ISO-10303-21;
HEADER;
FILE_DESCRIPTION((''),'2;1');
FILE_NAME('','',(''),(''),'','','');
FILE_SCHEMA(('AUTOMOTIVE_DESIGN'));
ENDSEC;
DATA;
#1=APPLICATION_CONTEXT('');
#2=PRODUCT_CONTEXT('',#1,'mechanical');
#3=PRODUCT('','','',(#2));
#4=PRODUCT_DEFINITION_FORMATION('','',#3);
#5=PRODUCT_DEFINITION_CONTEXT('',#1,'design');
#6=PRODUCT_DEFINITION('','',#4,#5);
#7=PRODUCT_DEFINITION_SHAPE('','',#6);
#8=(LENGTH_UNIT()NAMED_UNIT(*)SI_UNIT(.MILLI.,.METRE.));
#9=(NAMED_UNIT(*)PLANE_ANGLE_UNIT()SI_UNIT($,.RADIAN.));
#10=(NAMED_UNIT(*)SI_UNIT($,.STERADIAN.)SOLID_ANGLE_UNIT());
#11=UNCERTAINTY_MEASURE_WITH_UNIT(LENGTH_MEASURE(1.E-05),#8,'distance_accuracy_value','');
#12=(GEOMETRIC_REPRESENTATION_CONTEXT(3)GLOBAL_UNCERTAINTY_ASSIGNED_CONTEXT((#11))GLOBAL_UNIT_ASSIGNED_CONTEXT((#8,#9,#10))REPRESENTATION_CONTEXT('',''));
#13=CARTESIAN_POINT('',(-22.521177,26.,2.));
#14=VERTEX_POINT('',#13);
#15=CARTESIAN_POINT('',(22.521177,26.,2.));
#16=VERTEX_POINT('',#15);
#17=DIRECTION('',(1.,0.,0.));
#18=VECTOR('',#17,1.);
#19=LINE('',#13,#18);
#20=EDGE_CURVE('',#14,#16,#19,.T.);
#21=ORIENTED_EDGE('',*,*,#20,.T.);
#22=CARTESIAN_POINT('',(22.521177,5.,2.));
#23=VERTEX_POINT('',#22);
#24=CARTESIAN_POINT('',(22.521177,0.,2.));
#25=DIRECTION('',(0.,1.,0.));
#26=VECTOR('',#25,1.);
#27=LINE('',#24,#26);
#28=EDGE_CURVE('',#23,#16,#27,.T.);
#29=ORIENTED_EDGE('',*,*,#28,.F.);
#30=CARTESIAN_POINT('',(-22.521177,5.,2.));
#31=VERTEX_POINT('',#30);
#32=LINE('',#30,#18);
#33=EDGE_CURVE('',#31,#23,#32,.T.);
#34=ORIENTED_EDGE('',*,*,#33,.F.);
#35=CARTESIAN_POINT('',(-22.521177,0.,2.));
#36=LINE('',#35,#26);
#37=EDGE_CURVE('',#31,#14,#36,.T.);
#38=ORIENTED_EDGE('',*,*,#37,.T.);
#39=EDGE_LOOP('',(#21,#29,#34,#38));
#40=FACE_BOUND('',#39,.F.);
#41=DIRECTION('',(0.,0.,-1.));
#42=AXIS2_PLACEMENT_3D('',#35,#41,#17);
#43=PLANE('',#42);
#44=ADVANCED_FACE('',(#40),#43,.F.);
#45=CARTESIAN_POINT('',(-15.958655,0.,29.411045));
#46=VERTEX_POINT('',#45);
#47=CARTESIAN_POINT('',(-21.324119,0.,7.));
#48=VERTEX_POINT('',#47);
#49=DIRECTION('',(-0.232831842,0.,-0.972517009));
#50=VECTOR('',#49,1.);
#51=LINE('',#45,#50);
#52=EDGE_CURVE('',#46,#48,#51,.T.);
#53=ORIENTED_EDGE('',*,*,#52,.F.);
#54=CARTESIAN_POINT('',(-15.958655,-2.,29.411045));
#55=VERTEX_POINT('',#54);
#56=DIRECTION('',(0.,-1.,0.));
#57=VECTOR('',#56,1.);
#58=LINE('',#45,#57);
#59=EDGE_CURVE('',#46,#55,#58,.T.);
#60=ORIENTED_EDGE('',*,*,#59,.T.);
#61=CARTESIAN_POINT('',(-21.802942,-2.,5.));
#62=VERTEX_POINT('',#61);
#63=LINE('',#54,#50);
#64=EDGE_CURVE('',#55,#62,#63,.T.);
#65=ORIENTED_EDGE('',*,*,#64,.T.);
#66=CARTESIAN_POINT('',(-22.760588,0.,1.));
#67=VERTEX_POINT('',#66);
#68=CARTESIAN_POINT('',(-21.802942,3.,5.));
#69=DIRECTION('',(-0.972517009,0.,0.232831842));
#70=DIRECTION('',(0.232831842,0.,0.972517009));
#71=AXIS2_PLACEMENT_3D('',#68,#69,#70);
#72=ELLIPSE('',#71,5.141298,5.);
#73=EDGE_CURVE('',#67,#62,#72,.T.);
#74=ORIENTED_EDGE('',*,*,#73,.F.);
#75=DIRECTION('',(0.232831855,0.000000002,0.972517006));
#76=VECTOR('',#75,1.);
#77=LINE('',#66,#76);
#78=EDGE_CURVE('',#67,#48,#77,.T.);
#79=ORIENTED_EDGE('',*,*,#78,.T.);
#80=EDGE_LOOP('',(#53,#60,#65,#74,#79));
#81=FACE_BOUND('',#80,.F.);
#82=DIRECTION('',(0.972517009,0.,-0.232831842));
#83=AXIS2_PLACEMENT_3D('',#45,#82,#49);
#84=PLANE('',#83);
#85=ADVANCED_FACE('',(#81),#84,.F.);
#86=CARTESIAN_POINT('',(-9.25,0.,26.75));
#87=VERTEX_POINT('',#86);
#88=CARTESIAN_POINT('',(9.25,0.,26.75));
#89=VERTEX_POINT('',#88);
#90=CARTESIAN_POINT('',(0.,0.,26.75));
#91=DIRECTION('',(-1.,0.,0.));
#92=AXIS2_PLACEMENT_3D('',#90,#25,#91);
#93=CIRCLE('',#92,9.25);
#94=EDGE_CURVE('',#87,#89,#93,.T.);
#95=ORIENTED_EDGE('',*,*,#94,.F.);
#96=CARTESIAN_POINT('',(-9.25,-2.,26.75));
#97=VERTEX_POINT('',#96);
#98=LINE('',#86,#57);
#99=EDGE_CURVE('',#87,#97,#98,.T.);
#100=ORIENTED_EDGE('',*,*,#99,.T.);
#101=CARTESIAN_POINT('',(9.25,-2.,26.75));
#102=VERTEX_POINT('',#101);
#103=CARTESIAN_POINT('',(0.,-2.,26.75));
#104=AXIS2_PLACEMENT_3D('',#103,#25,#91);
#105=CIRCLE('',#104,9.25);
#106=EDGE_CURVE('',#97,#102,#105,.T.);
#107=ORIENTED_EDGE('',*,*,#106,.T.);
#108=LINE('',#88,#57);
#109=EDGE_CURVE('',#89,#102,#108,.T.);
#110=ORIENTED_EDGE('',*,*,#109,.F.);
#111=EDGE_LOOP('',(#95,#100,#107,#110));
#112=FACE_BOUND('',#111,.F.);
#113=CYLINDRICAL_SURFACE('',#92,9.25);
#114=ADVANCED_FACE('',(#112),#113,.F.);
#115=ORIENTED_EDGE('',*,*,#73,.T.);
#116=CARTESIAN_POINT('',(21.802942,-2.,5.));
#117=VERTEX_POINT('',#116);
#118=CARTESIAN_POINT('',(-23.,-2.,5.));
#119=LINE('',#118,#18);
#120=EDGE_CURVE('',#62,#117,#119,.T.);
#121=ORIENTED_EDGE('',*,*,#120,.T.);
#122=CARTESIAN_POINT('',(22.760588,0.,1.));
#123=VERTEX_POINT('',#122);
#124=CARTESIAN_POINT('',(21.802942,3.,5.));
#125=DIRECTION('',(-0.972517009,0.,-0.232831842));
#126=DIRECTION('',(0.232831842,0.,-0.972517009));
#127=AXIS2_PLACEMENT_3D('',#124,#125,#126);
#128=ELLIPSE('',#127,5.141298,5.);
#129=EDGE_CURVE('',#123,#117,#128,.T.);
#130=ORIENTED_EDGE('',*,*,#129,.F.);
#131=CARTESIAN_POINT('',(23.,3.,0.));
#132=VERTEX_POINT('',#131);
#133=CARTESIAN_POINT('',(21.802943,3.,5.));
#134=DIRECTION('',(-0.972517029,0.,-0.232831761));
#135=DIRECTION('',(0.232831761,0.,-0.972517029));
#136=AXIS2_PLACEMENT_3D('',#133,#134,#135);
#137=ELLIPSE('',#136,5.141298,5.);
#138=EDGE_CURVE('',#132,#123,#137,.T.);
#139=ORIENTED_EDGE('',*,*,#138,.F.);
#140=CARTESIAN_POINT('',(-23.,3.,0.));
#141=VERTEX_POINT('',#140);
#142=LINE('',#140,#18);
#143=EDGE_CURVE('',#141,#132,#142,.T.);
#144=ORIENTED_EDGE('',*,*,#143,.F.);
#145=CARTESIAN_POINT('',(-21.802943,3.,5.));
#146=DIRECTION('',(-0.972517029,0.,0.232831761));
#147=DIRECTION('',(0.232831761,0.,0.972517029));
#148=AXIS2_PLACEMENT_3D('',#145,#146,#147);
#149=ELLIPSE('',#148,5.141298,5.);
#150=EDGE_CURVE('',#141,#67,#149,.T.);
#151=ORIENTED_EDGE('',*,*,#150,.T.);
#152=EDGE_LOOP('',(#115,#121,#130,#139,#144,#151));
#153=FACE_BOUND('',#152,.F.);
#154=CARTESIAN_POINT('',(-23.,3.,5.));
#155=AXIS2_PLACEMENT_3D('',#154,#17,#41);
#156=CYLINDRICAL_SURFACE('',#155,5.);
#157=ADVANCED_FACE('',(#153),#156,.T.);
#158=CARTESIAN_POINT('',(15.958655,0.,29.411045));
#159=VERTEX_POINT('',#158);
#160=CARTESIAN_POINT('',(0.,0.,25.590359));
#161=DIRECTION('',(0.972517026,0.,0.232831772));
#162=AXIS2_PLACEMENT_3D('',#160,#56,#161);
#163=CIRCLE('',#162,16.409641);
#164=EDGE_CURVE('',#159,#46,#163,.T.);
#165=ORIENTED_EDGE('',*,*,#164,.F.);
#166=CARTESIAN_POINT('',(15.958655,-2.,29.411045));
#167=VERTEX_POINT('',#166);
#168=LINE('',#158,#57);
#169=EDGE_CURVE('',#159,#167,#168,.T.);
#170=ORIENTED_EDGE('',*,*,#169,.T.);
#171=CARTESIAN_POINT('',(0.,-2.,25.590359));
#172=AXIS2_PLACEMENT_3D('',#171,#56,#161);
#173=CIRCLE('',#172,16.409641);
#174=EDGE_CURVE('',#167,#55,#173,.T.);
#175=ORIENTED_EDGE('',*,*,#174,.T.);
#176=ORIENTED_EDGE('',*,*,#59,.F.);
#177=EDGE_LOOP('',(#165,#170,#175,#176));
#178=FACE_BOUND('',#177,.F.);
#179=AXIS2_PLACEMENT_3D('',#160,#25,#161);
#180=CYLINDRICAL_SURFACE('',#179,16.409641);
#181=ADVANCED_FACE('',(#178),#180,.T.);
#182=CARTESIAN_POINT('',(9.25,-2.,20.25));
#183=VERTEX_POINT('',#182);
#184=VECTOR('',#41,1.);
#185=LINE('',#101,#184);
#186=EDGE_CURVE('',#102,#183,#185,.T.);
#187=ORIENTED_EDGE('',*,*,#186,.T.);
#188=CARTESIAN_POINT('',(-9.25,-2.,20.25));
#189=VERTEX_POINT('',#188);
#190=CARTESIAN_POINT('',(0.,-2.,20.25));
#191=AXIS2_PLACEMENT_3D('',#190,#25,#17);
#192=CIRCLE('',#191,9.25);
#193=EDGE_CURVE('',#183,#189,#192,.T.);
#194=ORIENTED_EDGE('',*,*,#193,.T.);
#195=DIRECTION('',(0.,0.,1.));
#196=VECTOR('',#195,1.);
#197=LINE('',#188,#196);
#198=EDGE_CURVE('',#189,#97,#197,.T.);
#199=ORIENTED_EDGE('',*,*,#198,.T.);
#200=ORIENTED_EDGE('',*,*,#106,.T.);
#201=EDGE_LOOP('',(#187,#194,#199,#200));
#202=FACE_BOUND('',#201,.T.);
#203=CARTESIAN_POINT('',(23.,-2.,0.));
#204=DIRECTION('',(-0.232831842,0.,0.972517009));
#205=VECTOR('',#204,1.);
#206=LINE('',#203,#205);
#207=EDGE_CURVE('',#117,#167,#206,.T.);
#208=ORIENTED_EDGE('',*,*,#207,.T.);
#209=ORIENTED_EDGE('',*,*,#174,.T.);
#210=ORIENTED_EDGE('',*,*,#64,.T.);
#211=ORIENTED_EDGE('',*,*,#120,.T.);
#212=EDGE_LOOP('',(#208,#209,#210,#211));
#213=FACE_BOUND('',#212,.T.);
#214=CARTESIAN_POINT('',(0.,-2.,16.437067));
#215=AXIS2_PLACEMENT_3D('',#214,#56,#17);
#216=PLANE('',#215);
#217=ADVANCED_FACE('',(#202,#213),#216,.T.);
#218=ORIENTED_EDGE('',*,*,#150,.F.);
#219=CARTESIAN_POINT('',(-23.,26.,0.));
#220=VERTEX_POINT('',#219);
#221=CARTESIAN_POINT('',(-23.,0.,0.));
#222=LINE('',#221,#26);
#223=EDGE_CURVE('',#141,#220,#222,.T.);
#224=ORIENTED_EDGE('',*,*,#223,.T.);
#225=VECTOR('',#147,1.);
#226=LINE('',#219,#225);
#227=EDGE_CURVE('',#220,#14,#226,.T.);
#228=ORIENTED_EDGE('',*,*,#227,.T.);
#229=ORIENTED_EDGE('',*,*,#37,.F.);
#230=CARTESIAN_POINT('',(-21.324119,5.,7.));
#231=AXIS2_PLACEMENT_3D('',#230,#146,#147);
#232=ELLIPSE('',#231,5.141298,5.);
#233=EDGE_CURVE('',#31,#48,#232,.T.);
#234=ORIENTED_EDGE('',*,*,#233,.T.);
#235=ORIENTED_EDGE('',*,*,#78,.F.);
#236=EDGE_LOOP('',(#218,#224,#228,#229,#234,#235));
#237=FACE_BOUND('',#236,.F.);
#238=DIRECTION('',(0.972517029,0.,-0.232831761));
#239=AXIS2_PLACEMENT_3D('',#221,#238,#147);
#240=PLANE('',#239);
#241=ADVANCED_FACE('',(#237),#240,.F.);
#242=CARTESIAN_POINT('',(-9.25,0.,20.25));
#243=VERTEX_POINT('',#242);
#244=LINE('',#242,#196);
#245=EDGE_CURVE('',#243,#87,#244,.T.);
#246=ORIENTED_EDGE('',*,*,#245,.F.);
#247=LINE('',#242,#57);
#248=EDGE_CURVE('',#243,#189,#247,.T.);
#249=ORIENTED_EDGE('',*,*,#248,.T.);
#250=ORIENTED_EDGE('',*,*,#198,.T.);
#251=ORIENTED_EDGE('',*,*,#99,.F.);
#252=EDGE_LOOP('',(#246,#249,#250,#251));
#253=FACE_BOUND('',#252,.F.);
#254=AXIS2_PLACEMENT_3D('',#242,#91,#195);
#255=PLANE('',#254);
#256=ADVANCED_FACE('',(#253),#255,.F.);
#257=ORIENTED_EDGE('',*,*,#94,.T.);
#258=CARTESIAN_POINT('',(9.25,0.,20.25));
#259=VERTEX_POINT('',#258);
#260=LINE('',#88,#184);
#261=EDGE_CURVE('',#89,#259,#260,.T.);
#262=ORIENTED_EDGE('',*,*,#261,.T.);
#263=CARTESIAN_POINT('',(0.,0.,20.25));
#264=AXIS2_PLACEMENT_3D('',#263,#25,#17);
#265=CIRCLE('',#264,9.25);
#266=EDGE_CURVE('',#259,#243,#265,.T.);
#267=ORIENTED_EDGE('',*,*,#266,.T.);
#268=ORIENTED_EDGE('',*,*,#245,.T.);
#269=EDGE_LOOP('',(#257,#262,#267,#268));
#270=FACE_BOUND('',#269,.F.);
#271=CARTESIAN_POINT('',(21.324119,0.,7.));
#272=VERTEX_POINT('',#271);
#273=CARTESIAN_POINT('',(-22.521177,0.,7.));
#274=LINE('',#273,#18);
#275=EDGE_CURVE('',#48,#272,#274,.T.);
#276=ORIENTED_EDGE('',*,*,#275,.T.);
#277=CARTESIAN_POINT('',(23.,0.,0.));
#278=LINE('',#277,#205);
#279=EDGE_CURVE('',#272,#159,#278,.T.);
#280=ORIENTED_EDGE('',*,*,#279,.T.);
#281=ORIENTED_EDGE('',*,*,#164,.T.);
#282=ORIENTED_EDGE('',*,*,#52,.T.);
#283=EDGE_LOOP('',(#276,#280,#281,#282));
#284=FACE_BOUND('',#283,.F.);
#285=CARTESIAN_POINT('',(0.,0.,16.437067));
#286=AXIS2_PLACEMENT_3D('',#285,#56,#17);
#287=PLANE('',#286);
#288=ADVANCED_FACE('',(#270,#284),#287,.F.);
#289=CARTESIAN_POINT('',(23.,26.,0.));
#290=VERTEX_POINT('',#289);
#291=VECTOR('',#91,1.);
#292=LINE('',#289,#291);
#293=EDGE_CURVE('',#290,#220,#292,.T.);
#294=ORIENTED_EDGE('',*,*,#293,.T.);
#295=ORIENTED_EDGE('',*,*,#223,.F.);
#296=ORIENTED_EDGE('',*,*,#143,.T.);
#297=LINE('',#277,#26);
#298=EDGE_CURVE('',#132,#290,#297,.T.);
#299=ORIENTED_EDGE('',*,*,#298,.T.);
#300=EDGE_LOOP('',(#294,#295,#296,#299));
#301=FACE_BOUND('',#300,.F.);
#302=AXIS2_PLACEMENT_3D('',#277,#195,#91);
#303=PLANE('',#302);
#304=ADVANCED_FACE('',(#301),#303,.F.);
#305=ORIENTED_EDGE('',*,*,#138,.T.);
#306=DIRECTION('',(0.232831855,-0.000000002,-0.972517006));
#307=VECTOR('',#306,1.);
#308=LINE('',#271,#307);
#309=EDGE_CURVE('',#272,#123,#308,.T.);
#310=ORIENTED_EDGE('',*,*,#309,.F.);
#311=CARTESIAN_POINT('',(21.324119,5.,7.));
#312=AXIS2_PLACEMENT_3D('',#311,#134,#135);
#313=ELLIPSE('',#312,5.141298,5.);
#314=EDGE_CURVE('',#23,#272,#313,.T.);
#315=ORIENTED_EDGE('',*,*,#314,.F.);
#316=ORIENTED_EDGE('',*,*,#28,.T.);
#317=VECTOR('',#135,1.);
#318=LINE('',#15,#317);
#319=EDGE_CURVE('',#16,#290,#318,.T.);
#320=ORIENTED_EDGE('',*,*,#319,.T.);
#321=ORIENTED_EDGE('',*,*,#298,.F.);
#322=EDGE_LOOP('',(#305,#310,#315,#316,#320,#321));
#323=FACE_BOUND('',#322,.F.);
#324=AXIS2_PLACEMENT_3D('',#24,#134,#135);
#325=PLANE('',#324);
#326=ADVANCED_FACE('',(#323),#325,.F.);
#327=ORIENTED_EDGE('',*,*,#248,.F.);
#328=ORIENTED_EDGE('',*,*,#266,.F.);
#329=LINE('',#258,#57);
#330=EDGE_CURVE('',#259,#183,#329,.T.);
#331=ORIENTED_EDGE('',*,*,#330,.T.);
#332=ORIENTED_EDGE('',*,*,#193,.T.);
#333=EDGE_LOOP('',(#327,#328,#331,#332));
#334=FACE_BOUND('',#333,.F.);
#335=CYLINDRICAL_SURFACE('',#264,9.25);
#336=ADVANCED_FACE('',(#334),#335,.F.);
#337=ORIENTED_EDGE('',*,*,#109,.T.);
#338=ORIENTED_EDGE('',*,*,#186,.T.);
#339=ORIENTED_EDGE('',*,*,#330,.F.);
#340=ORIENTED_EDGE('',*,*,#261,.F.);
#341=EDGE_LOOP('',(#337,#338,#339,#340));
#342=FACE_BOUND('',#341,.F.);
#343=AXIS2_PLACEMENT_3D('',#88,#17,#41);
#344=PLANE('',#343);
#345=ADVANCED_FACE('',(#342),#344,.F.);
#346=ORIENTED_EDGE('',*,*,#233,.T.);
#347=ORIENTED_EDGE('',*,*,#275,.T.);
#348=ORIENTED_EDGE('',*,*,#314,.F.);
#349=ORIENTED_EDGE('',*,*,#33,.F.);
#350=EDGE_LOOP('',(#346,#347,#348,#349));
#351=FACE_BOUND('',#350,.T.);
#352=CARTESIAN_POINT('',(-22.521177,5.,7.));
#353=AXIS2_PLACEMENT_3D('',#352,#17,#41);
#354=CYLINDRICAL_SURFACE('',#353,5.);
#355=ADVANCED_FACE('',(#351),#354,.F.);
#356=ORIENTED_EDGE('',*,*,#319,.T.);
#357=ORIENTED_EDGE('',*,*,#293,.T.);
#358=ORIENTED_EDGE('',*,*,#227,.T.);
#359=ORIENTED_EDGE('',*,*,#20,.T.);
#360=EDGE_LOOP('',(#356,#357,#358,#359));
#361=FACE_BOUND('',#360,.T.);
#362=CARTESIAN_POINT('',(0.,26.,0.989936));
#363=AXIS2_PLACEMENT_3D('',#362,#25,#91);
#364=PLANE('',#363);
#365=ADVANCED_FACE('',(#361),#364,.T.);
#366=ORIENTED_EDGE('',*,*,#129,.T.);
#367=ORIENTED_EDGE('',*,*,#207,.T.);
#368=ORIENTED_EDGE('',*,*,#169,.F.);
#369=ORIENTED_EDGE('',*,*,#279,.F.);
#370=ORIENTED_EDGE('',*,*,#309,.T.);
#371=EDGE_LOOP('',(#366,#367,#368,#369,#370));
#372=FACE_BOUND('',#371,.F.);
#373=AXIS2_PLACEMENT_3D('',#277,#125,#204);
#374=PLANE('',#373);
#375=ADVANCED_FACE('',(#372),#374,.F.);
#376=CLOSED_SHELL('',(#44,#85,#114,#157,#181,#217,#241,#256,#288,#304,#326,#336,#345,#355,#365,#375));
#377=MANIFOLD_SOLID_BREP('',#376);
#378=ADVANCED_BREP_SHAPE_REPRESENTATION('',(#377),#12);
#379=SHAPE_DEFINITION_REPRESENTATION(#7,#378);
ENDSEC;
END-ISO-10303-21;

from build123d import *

# Parameters (mm, degrees)
F1_DEPTH = 2
F3_DEPTH = 26
F4_R     = 5


with BuildPart() as f1:
    # F0 (on Front) → F1 (new body)
    with BuildSketch(Plane.XZ):
        with BuildLine():
            Line((-15.958655, 29.411045), (-23, 0))
            Line((-23, 0), (23, 0))
            Line((23, 0), (15.958655, 29.411045))
            ThreePointArc((15.958655, 29.411045), (0, 42), (-15.958655, 29.411045))
        make_face()
        with BuildLine():
            Line((-9.25, 20.25), (-9.25, 26.75))
            ThreePointArc((-9.25, 26.75), (0, 36), (9.25, 26.75))
            Line((9.25, 26.75), (9.25, 20.25))
            ThreePointArc((9.25, 20.25), (0, 11), (-9.25, 20.25))
        make_face(mode=Mode.SUBTRACT)
    extrude(amount=F1_DEPTH)

    # F2 (on face) → F3 (join)
    with BuildSketch(Plane(origin=(0, 0, 0), x_dir=(-1, 0, 0), z_dir=(0, 1, 0))):
        Polygon((22.521177, 2), (-22.521177, 2), (-23, 0), (23, 0), align=None)
    extrude(amount=F3_DEPTH)

    # F4
    f4_edges = [f1.edges().sort_by_distance(p)[0] for p in [
        (0, -2, 0),
        (0, 0, 2),
    ]]
    fillet(f4_edges, radius=F4_R)


solid = f1.part
